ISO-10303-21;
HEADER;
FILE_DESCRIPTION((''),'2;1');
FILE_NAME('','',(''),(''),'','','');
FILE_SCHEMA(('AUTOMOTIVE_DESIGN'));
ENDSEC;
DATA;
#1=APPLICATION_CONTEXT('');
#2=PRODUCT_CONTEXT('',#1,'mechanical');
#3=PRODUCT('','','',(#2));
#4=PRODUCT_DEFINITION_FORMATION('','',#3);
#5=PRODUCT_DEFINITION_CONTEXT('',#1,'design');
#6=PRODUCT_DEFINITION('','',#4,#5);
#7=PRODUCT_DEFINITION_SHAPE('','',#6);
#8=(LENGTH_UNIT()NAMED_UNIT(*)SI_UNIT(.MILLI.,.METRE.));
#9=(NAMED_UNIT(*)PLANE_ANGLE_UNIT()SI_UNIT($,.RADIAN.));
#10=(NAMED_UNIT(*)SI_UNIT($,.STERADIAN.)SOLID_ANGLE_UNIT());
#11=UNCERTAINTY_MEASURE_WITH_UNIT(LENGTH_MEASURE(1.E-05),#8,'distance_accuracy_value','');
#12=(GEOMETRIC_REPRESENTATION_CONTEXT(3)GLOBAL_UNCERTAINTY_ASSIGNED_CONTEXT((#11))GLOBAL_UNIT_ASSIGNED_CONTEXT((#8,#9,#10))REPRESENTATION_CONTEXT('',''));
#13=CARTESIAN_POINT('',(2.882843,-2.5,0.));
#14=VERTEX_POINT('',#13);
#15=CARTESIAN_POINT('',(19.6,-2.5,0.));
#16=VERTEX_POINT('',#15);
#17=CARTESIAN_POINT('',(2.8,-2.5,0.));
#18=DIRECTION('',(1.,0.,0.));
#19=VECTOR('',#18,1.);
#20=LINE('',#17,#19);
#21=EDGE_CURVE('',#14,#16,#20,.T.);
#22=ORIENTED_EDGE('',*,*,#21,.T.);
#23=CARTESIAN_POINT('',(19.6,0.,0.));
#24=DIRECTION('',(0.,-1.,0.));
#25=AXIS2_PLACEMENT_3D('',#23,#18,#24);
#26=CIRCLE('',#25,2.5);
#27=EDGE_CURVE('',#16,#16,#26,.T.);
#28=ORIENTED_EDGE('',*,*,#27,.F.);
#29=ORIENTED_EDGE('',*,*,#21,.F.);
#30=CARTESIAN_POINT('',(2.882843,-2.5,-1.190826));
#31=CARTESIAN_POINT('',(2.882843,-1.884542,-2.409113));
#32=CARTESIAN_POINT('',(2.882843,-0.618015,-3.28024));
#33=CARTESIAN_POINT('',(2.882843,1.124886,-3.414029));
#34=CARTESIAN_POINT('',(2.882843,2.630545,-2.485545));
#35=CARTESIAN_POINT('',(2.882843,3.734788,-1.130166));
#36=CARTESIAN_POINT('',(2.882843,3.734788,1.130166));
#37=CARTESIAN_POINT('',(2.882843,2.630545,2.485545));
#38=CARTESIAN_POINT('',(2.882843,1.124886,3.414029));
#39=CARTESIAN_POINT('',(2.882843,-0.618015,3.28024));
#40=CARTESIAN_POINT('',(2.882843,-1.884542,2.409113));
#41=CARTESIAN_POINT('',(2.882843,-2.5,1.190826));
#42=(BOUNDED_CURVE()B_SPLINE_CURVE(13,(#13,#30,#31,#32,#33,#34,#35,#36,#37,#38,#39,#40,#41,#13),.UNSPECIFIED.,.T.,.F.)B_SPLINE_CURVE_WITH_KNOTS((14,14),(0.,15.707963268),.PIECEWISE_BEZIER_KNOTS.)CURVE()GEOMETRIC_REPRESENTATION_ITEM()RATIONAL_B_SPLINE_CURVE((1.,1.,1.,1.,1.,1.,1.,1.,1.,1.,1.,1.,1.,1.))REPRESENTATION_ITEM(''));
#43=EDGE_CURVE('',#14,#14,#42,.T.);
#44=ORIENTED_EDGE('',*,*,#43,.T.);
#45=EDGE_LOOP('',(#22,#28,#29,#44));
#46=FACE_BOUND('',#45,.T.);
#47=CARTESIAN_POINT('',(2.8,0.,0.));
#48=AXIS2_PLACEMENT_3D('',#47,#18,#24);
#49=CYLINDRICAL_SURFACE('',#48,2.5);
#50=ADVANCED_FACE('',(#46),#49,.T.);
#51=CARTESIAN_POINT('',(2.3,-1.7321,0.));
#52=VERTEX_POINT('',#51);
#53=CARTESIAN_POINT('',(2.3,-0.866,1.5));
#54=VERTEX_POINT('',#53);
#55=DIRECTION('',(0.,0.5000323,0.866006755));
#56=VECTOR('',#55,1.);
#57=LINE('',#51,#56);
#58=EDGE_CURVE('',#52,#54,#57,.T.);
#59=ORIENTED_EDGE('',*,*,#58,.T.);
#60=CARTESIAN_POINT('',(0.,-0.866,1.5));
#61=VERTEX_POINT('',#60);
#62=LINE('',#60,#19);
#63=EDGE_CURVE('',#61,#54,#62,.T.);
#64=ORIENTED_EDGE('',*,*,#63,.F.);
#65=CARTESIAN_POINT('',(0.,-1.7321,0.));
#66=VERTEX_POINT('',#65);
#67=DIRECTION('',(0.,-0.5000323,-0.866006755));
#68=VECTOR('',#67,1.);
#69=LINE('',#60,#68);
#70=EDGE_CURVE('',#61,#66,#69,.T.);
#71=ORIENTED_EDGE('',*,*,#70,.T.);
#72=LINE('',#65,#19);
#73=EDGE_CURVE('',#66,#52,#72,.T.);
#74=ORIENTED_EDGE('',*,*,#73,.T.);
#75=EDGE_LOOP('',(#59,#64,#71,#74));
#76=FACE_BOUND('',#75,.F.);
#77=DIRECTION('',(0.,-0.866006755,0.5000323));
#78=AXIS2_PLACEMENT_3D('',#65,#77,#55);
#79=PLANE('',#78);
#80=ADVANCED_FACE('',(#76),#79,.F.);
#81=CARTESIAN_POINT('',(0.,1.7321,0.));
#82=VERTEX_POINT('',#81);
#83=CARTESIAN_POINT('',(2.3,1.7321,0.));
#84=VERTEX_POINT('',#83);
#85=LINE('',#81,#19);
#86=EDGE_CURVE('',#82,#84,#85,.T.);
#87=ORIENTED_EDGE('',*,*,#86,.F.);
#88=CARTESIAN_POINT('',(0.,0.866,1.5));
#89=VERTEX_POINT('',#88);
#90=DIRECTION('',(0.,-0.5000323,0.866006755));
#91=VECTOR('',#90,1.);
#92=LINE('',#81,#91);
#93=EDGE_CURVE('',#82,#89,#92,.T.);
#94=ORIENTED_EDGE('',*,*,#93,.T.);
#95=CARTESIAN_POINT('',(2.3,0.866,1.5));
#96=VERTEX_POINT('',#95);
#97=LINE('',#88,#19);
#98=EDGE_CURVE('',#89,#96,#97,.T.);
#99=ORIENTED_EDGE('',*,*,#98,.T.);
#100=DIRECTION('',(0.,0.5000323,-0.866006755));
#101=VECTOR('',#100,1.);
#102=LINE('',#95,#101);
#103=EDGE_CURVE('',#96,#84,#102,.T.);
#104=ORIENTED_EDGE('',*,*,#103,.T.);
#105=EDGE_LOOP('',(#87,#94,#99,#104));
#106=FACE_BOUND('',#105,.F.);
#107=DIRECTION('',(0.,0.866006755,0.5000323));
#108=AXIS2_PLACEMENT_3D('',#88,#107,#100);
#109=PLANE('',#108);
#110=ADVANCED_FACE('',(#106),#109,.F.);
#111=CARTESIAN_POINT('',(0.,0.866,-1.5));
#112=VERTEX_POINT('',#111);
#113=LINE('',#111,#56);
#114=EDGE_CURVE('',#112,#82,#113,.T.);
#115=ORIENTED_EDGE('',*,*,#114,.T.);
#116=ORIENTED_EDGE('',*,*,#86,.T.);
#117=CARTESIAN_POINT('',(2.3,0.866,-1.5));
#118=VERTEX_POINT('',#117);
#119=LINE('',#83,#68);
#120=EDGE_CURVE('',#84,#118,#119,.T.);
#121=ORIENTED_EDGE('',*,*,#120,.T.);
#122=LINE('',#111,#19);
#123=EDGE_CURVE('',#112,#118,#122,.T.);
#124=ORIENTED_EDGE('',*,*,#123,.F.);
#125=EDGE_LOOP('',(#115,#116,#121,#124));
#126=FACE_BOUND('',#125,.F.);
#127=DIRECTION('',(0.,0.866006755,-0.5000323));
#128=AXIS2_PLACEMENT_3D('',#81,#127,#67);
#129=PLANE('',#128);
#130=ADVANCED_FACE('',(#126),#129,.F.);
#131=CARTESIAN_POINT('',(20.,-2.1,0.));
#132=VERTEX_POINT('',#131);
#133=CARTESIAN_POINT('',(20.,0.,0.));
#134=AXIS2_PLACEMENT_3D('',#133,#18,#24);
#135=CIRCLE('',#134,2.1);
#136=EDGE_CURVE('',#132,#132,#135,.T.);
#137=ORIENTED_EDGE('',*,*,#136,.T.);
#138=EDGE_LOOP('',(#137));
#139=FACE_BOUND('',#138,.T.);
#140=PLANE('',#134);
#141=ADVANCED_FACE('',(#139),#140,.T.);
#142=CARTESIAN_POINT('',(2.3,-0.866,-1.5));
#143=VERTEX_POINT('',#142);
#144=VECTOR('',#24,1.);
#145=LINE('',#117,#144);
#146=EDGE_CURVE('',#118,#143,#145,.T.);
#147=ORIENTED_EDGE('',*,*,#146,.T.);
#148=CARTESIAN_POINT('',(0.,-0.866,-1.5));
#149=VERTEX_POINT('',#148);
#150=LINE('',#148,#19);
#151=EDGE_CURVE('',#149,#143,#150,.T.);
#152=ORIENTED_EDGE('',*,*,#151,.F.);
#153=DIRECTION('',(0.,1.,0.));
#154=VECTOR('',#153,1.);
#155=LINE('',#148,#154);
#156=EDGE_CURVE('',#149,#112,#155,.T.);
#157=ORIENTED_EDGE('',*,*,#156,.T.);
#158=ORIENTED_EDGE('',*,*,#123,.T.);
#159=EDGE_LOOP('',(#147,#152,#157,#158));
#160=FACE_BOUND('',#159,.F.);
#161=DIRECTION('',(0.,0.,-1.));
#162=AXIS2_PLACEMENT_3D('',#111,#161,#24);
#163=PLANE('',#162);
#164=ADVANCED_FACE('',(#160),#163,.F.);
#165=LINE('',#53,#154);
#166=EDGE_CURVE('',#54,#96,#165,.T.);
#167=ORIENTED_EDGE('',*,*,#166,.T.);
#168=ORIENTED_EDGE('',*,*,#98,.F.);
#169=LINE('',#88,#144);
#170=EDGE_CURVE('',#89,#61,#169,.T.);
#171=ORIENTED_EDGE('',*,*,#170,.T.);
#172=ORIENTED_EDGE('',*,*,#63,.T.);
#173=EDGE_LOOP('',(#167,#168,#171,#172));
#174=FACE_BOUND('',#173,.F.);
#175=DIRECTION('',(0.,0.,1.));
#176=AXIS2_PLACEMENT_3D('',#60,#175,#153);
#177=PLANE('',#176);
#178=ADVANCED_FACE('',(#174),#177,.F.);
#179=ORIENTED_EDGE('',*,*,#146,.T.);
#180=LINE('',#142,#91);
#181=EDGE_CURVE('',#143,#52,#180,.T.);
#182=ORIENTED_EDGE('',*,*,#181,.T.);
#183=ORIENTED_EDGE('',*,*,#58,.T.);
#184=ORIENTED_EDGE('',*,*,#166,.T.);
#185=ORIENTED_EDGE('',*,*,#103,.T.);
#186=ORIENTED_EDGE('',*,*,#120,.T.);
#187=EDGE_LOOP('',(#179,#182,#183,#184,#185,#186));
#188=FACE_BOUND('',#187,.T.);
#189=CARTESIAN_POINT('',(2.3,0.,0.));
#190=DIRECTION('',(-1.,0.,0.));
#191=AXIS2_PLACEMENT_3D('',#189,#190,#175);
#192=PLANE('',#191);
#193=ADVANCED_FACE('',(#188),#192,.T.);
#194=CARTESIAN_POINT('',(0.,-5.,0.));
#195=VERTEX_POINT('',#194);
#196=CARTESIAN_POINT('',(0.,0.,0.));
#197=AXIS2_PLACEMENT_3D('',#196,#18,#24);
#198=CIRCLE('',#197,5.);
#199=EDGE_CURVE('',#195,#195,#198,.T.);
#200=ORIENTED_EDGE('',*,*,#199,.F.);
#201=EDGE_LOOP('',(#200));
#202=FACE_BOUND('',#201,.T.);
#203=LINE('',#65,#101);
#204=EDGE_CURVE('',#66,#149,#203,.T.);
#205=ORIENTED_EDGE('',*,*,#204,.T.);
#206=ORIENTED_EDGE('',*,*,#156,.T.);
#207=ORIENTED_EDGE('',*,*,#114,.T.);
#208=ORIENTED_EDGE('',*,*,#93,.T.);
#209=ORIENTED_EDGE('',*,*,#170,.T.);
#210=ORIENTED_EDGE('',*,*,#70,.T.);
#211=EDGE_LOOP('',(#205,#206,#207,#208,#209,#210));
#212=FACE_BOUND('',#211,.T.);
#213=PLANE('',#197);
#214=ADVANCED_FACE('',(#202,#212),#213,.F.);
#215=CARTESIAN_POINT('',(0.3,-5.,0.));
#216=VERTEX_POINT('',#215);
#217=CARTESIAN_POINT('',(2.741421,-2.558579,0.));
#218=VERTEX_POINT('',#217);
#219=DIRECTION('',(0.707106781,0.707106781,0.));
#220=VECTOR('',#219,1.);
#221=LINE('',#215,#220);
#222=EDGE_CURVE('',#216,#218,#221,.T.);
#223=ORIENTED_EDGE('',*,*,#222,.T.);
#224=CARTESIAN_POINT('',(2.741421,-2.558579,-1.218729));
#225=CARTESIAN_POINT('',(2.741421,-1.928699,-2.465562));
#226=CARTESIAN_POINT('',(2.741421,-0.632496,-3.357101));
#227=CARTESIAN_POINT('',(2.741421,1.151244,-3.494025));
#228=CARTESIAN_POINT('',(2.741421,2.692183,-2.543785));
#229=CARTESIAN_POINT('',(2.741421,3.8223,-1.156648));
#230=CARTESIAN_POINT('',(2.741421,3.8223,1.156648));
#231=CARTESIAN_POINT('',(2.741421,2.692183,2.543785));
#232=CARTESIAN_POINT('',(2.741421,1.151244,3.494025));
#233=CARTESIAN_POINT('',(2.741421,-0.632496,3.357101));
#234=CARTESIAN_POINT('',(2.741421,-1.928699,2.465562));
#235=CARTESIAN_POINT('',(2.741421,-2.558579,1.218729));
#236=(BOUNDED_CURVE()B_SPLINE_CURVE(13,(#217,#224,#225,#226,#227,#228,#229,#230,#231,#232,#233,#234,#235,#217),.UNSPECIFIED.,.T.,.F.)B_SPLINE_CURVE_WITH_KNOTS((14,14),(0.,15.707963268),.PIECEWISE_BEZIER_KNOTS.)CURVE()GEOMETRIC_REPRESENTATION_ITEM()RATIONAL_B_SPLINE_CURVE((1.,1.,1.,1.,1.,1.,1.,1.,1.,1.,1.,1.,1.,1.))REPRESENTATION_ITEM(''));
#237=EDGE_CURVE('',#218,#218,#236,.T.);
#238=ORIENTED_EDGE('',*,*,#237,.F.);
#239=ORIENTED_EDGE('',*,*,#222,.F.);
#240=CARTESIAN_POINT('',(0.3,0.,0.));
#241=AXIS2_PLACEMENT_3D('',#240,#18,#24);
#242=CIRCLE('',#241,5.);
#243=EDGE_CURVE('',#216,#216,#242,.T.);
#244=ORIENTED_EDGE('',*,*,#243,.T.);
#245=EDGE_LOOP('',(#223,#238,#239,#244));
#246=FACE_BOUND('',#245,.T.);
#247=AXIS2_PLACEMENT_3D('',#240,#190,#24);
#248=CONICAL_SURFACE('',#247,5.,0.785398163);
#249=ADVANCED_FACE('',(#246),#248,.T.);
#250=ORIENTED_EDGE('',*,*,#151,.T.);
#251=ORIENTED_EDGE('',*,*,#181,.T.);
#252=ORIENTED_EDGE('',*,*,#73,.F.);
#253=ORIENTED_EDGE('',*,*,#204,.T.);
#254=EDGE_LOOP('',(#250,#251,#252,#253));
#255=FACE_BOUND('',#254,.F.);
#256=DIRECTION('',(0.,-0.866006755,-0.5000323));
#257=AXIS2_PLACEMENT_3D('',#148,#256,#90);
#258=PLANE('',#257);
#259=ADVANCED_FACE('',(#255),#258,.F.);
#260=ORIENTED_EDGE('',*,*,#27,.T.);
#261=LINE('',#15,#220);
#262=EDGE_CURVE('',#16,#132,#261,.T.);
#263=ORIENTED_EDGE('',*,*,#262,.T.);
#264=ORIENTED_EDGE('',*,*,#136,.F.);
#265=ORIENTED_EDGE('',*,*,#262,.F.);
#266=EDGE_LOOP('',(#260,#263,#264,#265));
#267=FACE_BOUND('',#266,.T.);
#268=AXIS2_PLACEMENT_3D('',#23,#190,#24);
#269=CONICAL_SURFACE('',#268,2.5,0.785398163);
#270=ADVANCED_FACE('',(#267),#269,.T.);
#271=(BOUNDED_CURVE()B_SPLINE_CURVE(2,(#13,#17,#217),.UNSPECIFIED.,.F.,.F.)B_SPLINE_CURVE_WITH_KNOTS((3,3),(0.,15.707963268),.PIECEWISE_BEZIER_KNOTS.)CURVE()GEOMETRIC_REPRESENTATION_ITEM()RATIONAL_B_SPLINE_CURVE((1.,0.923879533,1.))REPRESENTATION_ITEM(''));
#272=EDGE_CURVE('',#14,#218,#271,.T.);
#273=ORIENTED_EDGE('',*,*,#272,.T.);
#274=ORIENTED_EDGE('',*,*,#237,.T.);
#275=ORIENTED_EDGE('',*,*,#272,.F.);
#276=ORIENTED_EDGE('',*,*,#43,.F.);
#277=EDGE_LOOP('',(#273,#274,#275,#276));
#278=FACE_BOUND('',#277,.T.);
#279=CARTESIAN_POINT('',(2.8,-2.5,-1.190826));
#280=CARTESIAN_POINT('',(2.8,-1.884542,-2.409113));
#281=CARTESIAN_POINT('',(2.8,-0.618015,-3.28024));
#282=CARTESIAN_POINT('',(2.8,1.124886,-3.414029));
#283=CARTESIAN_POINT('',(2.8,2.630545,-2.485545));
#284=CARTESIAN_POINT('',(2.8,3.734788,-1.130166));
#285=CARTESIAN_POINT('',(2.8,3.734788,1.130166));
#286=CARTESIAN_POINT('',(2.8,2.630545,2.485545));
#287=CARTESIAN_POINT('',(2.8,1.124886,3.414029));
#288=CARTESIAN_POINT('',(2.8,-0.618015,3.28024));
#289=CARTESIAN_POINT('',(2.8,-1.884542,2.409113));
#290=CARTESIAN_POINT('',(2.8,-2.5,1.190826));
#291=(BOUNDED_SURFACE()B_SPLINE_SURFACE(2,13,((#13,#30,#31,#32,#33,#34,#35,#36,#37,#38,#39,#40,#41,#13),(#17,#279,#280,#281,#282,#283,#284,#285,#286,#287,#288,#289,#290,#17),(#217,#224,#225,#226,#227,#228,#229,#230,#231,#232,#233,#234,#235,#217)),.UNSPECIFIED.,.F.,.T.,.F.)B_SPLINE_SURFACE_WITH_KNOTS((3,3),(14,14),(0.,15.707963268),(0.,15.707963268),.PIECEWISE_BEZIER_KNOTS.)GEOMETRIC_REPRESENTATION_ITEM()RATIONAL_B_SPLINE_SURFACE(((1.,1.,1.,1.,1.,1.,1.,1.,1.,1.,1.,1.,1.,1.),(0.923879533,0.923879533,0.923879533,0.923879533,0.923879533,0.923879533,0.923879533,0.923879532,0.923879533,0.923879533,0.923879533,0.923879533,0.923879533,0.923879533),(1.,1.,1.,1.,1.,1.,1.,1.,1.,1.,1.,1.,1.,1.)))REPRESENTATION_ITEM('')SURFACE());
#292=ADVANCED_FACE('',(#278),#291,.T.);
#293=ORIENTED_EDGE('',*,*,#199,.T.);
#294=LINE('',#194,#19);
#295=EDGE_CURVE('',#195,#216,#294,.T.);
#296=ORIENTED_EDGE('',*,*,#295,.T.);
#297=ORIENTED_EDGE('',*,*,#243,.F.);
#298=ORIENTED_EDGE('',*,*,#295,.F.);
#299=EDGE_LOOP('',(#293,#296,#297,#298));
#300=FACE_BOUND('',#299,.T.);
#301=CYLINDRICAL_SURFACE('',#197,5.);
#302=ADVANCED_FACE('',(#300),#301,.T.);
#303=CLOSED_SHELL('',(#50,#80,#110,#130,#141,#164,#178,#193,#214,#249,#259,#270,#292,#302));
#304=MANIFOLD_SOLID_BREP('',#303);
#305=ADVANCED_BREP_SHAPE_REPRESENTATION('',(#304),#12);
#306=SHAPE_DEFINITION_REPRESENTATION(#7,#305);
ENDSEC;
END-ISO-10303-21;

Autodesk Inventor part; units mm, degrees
ref_plane "YZ Plane" through (0, 0, 0) normal (1, 0, 0) x (0, 1, 0)
sketch "Skizze1" plane through (0, 0, 0) normal (0, 1, 0) x (-1, 0, 0)
  point P0 (0, 0)
sketch "Skizze2" plane through (0, 0, 0) normal (0, 0, 1) x (-1, 0, 0)
  line L0 (-20, 2.5) -> (-20, 0)
  line L1 (-2.8, 2.5) -> (-20, 2.5)
  line L2 (-0.3, 5) -> (-2.8, 2.5)
  line L3 (0, 5) -> (-0.3, 5)
  line L4 (0, 0) -> (0, 5)
  line L5 (-20, 0) -> (0, 0)
  line L6 (-20, 0) -> (0, 0)
  line L7 (0, -9.6) -> (0, 1.6) projected
  line L8 (4, 0) -> (-24, 0) projected
  dimension "ParC" = 0.3
  dimension "d43" = 45
  dimension "d44" = 5
  dimension "d45" = 2.5
  dimension "d46" = 20
  dimension "d47" = 0
  dimension "d48" = 0
revolve "Drehung1" add sketch "Skizze2" angle 360 about axis through (20, 0, 0) along (1, 0, 0)
sketch "Skizze3" plane through (0, 0, 0) normal (-1, 0, 0) x (0, 0, 1)
  line L0 (-1.5, 0.866) -> (-1.5, -0.866)
  line L1 (0, 1.7321) -> (-1.5, 0.866)
  line L2 (1.5, 0.866) -> (0, 1.7321)
  line L3 (1.5, -0.866) -> (1.5, 0.866)
  line L4 (0, -1.7321) -> (1.5, -0.866)
  line L5 (-1.5, -0.866) -> (0, -1.7321)
  circle A0 centre (0, 0) radius 1.5 construction
  circle A1 centre (0, 0) radius 2.5 construction
  dimension "d11" = 3
  dimension "d13" = 120
  dimension "d15" = 120
extrude "Extrusion1" cut sketch "Skizze3" against normal blind 2.3
fillet "Rundung1" radius 0.2 1 edges at (2.8, 2.5, 0)
chamfer "Fase1" distance 0.4 angle 45 1 edges at (20, 2.5, 0) measured on face at (14.2943, 0.599, -2.4272)
thread "Gewinde1" size "M5x0.8" class "6g" standard "ISO Metric profile" length 15.6
ref_plane "MSC_PF1" through (0, 0, 0) normal (1, 0, 0) x (0, 1, 0)
ref_plane "MSC_PT1" through (0, 0, 0) normal (1, 0, 0) x (0, 1, 0)
equation "\"d43\" = 0.5 * ang"
equation "\"d44\" = 0.5 * dk"
equation "\"d45\" = 0.5 * NND"
equation "\"d46\" = NLG"
equation "\"d11\" = ParS"
equation "\"d16\" = ParT"
equation "\"d18\" = r"
equation "\"d19\" = 0.5 * PTC"
equation "\"d39\" = 0.5 * PTC"
equation "\"NND\" = 5"
equation "\"PTC\" = 0.8"
equation "\"ParK\" = 2.8"
equation "\"ParS\" = 3"
equation "\"ParT\" = 2.3"
equation "\"r\" = 0.2"
equation "\"NLG\" = 20"
equation "\"ang\" = 90deg"
equation "\"THREADDIA\" = NND"
equation "\"dk\" = 10"
properties part number "ISO 10642 - M5 x  20" material "Stahl"
